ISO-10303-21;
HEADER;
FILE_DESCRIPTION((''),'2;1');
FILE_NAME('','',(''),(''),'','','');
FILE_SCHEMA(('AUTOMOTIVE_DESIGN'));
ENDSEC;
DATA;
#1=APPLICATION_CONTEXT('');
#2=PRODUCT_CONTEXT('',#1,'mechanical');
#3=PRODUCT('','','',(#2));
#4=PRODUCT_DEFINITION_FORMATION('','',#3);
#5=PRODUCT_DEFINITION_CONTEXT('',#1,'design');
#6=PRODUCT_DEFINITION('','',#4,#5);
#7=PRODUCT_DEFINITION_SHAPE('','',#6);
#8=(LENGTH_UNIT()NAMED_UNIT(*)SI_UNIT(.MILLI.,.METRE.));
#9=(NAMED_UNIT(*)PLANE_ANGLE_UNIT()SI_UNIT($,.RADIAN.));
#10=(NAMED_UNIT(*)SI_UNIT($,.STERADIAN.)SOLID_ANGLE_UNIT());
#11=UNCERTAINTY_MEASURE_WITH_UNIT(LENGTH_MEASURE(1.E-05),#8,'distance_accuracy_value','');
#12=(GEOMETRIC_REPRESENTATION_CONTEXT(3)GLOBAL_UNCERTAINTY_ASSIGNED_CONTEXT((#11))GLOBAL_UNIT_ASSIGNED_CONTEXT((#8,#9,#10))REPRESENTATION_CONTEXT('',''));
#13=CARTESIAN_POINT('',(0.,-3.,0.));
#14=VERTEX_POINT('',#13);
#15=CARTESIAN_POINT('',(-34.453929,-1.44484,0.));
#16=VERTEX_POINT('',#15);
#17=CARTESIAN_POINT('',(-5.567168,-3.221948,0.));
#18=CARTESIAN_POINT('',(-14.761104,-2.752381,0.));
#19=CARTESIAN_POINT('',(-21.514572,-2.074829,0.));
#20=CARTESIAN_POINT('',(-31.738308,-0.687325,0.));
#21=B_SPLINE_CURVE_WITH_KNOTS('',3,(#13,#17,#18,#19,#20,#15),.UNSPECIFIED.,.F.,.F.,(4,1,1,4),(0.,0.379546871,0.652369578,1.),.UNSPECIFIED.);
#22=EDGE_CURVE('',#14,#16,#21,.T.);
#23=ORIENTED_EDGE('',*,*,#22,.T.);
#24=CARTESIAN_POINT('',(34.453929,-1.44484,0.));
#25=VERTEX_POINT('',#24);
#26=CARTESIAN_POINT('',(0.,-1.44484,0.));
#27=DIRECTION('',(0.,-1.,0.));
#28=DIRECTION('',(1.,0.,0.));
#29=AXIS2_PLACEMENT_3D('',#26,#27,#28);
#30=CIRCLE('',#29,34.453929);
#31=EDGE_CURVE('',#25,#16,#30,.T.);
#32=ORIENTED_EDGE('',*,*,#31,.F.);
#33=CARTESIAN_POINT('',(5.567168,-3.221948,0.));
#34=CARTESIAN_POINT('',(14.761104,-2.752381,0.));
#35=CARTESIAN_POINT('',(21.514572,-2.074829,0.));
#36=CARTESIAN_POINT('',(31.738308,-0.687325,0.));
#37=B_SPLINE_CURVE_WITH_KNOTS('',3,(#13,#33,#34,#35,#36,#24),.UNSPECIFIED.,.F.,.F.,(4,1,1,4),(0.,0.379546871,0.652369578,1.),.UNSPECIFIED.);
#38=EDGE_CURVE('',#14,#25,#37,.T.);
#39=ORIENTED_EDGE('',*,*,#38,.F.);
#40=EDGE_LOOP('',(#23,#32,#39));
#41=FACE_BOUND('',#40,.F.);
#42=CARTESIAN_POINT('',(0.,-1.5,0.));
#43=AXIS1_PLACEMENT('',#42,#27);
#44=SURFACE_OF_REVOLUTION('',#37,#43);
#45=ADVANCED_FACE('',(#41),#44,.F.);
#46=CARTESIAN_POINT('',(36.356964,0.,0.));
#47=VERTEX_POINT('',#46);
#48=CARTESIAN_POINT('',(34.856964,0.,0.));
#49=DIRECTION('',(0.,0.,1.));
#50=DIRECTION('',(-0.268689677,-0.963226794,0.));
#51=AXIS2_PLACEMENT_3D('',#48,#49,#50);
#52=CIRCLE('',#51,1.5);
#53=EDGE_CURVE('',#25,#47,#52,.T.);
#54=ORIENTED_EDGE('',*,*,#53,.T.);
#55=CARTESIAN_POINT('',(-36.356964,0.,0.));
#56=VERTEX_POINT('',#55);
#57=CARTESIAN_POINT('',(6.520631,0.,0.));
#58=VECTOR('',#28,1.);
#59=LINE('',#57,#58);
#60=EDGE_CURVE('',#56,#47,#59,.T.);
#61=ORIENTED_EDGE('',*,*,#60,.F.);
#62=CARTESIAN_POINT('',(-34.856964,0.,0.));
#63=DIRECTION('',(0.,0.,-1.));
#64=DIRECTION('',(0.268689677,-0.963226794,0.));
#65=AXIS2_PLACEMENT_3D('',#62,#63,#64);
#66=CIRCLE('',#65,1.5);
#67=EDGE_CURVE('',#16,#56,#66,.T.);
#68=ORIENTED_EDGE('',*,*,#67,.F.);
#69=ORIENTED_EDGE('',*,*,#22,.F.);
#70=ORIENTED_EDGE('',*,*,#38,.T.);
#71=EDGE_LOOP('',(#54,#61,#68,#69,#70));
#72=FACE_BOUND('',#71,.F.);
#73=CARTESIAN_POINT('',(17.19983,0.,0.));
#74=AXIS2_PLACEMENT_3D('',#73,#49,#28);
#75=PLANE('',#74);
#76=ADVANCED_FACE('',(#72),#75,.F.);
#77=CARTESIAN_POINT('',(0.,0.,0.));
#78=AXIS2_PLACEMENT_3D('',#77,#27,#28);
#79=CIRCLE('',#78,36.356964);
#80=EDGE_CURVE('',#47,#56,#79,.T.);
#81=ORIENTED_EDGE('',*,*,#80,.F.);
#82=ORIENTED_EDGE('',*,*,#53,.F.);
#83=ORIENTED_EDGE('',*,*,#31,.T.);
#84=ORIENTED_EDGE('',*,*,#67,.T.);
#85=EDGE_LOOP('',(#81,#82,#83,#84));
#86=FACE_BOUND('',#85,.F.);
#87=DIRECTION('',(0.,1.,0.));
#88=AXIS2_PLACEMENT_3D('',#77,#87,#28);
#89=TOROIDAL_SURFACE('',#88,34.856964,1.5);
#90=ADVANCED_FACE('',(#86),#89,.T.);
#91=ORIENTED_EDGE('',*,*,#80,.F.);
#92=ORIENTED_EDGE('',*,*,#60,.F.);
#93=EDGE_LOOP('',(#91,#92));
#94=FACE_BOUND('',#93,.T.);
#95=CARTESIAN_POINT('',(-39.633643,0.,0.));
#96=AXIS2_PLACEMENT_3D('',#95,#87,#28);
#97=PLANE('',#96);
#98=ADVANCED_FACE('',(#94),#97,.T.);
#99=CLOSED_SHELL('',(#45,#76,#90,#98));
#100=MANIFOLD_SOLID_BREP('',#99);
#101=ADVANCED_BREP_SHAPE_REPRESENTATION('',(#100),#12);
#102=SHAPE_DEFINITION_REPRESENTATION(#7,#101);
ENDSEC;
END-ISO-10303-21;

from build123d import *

# Parameters (mm, degrees)
F1_ANGLE = 180
F2_W     = 92.3085473478
F2_H     = 7.1881692857
F3_DEPTH = 36.3579636846


with BuildPart() as f1:
    # F0 (on Top) → F1 (revolve)
    with BuildSketch(Plane.XY):
        with BuildLine():
            Line((0, 3), (0, 0))
            Line((0, 0), (0, -3))
            add(Edge.make_bspline(
                [(0, -3), (5.567168006, -3.2219475626), (14.7611044979, -2.752381192), (21.5145717979, -2.0748290389), (31.7383084095, -0.6873246794), (34.4539290687, -1.4448401915)],
                knots=[0, 0, 0, 0, 0.3795468711, 0.6523695781, 1, 1, 1, 1], degree=3))
            ThreePointArc((34.4539290687, -1.4448401915), (35.7640049911, -1.1946865224), (36.3569635846, 0))
            ThreePointArc((36.3569635846, 0), (35.7640049911, 1.1946865224), (34.4539290687, 1.4448401915))
            add(Edge.make_bspline(
                [(0, 3), (5.567168006, 3.2219475626), (14.7611044979, 2.752381192), (21.5145717979, 2.0748290389), (31.7383084095, 0.6873246794), (34.4539290687, 1.4448401915)],
                knots=[0, 0, 0, 0, 0.3795468711, 0.6523695781, 1, 1, 1, 1], degree=3))
        make_face()
    revolve(axis=Axis((0, -1.5, 0), (0, -1, 0)), revolution_arc=F1_ANGLE)

    # F2 (on face) → F3 (cut, through all)
    with BuildSketch(Plane(origin=(0, 0, 0), x_dir=(1, 0, 0), z_dir=(0, 0, -1))):
        with Locations((6.5206307918, -3.5940846428)):
            Rectangle(F2_W, F2_H)
    extrude(amount=-F3_DEPTH, mode=Mode.SUBTRACT)


solid = f1.part
